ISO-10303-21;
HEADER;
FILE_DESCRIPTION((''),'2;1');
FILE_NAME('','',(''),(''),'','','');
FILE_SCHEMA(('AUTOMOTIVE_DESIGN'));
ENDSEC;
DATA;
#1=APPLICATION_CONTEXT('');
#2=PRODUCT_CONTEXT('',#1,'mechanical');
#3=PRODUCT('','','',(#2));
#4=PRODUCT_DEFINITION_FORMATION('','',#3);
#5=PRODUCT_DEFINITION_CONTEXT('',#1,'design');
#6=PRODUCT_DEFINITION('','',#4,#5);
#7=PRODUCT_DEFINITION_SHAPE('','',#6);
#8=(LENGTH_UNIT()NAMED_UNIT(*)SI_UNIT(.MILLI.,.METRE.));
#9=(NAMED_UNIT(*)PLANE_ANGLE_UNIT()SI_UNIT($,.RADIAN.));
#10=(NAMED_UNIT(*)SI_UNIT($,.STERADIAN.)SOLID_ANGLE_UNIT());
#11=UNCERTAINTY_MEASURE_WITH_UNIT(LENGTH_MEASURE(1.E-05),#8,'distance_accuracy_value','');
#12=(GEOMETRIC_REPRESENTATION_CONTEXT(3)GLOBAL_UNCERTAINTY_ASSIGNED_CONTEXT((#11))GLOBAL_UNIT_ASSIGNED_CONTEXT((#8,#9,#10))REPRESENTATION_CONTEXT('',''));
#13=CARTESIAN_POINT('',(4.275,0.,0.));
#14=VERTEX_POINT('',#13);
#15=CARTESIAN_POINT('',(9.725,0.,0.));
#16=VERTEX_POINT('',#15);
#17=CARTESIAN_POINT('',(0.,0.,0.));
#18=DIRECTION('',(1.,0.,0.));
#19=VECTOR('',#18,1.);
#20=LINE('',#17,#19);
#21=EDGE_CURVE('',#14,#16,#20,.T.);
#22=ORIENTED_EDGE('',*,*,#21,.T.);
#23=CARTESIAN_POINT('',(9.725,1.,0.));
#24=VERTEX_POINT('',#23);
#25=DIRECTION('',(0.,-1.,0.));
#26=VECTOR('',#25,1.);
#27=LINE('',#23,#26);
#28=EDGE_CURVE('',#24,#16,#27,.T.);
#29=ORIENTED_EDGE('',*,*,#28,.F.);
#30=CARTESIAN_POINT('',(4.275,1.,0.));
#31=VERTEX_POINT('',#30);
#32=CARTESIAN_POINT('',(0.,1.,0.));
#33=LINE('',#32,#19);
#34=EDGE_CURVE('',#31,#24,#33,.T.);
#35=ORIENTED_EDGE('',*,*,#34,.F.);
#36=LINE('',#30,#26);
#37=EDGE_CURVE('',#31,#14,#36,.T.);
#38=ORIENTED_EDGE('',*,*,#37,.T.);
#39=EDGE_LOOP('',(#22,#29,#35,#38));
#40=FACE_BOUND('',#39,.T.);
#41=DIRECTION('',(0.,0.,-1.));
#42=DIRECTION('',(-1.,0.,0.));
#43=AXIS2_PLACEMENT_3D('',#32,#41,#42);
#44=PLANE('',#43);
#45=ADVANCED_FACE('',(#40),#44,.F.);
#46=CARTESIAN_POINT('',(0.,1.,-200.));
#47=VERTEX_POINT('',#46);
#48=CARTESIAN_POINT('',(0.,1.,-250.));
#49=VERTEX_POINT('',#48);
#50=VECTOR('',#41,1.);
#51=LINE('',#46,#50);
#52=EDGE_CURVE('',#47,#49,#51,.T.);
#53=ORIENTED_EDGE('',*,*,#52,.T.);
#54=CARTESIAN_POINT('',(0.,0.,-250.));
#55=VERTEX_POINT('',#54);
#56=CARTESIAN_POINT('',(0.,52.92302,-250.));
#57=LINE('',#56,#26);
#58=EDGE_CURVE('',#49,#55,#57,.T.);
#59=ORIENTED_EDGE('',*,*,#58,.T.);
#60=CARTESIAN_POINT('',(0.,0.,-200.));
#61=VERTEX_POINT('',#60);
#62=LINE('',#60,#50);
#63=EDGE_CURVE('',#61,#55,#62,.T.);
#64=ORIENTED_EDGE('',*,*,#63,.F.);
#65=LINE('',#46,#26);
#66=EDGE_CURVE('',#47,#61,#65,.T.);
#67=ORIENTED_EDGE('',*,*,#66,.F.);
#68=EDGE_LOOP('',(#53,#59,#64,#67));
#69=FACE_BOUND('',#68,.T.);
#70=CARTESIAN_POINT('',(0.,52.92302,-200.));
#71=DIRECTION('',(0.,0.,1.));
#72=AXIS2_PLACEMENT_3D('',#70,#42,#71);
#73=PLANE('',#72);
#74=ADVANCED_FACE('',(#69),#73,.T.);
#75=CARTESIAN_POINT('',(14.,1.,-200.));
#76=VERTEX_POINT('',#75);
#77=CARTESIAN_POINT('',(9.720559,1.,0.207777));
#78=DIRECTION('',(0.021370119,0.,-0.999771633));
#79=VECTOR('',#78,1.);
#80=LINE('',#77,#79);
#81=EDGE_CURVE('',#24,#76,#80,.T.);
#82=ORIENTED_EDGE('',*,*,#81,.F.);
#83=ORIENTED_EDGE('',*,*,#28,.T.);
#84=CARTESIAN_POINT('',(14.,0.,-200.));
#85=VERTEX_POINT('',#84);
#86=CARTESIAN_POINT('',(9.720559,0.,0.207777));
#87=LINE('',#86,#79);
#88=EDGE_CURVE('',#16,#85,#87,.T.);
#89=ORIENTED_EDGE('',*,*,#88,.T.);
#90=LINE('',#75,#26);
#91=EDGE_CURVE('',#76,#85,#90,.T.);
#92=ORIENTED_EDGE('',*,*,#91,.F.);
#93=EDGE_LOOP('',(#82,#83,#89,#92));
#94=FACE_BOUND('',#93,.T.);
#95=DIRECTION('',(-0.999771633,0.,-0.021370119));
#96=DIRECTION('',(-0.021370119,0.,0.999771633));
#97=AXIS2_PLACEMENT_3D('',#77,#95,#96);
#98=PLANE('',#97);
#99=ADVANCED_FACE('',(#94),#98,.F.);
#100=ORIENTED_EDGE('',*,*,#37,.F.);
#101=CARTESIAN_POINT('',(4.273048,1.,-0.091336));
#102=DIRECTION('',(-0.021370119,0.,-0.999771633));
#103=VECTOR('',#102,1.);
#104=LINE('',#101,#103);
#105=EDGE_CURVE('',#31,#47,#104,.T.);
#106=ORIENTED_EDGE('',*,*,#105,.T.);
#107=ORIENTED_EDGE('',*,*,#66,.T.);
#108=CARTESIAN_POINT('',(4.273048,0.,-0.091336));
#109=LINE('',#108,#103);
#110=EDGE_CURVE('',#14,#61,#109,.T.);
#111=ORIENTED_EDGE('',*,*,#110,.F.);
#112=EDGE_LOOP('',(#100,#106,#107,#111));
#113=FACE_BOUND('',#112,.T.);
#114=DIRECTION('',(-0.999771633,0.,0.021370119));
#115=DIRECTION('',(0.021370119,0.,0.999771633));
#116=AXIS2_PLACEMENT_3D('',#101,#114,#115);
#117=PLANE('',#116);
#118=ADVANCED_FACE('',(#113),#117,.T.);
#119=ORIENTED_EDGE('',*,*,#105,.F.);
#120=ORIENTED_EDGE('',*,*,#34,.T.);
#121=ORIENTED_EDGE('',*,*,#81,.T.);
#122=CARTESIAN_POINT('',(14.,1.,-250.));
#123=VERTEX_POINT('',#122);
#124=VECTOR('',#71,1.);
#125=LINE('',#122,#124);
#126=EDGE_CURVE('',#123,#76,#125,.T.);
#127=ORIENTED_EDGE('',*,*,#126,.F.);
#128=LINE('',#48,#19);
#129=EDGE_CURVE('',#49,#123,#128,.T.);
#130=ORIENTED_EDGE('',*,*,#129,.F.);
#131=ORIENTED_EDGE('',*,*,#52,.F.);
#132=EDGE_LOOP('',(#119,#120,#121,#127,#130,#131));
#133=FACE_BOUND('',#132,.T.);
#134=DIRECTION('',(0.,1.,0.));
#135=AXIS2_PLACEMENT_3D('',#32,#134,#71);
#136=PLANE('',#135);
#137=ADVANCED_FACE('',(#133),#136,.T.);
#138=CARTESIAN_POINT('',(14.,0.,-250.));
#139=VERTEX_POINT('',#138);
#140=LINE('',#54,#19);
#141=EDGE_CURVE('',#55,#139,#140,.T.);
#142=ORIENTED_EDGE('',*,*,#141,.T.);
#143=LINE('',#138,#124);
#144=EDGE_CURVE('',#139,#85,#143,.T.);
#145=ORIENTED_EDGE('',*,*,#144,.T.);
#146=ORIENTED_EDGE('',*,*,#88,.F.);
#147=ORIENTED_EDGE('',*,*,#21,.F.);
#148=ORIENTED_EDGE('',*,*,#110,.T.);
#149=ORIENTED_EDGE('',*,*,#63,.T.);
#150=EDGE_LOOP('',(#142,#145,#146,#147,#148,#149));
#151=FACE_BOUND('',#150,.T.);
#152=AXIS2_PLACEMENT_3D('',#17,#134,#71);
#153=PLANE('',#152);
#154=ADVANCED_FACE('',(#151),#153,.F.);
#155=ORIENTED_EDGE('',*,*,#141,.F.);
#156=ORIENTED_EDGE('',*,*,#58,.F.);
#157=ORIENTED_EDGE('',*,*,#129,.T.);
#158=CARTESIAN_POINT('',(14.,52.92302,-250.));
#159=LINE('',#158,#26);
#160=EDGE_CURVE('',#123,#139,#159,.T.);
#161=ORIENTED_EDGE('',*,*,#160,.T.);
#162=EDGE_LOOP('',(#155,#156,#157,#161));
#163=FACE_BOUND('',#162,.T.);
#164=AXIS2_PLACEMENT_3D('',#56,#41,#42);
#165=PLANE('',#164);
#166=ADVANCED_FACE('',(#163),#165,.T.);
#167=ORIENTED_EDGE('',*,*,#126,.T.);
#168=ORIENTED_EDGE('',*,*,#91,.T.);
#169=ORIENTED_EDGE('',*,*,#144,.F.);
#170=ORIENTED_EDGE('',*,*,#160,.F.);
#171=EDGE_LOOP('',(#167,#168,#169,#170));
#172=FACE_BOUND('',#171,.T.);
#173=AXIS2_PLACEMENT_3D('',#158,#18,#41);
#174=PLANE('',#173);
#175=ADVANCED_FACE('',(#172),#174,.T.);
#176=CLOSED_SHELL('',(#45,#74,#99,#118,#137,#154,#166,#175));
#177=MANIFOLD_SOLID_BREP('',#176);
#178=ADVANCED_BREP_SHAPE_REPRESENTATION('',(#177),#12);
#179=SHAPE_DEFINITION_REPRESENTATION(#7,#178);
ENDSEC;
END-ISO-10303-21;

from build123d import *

# Parameters (mm, degrees)
BOSS_EXTRUDE1_DEPTH = 1
SKETCH2_W           = 14
SKETCH2_H           = 50
BOSS_EXTRUDE2_DEPTH = 1


with BuildPart() as part:
    # Sketch1 → Boss-Extrude1 (new body)
    with BuildSketch(Plane(origin=(0, 0, 0), x_dir=(1, 0, 0), z_dir=(0, 1, 0))):
        Polygon((9.725, 200), (4.275, 200), (0, 200), (4.275, 0), (9.725, 0), (14, 200), align=None)
    extrude(amount=BOSS_EXTRUDE1_DEPTH)

    # Sketch2 → Boss-Extrude2 (add)
    with BuildSketch(Plane.XZ):
        with Locations((7, -225)):
            Rectangle(SKETCH2_W, SKETCH2_H)
    extrude(amount=-BOSS_EXTRUDE2_DEPTH)


solid = part.part
